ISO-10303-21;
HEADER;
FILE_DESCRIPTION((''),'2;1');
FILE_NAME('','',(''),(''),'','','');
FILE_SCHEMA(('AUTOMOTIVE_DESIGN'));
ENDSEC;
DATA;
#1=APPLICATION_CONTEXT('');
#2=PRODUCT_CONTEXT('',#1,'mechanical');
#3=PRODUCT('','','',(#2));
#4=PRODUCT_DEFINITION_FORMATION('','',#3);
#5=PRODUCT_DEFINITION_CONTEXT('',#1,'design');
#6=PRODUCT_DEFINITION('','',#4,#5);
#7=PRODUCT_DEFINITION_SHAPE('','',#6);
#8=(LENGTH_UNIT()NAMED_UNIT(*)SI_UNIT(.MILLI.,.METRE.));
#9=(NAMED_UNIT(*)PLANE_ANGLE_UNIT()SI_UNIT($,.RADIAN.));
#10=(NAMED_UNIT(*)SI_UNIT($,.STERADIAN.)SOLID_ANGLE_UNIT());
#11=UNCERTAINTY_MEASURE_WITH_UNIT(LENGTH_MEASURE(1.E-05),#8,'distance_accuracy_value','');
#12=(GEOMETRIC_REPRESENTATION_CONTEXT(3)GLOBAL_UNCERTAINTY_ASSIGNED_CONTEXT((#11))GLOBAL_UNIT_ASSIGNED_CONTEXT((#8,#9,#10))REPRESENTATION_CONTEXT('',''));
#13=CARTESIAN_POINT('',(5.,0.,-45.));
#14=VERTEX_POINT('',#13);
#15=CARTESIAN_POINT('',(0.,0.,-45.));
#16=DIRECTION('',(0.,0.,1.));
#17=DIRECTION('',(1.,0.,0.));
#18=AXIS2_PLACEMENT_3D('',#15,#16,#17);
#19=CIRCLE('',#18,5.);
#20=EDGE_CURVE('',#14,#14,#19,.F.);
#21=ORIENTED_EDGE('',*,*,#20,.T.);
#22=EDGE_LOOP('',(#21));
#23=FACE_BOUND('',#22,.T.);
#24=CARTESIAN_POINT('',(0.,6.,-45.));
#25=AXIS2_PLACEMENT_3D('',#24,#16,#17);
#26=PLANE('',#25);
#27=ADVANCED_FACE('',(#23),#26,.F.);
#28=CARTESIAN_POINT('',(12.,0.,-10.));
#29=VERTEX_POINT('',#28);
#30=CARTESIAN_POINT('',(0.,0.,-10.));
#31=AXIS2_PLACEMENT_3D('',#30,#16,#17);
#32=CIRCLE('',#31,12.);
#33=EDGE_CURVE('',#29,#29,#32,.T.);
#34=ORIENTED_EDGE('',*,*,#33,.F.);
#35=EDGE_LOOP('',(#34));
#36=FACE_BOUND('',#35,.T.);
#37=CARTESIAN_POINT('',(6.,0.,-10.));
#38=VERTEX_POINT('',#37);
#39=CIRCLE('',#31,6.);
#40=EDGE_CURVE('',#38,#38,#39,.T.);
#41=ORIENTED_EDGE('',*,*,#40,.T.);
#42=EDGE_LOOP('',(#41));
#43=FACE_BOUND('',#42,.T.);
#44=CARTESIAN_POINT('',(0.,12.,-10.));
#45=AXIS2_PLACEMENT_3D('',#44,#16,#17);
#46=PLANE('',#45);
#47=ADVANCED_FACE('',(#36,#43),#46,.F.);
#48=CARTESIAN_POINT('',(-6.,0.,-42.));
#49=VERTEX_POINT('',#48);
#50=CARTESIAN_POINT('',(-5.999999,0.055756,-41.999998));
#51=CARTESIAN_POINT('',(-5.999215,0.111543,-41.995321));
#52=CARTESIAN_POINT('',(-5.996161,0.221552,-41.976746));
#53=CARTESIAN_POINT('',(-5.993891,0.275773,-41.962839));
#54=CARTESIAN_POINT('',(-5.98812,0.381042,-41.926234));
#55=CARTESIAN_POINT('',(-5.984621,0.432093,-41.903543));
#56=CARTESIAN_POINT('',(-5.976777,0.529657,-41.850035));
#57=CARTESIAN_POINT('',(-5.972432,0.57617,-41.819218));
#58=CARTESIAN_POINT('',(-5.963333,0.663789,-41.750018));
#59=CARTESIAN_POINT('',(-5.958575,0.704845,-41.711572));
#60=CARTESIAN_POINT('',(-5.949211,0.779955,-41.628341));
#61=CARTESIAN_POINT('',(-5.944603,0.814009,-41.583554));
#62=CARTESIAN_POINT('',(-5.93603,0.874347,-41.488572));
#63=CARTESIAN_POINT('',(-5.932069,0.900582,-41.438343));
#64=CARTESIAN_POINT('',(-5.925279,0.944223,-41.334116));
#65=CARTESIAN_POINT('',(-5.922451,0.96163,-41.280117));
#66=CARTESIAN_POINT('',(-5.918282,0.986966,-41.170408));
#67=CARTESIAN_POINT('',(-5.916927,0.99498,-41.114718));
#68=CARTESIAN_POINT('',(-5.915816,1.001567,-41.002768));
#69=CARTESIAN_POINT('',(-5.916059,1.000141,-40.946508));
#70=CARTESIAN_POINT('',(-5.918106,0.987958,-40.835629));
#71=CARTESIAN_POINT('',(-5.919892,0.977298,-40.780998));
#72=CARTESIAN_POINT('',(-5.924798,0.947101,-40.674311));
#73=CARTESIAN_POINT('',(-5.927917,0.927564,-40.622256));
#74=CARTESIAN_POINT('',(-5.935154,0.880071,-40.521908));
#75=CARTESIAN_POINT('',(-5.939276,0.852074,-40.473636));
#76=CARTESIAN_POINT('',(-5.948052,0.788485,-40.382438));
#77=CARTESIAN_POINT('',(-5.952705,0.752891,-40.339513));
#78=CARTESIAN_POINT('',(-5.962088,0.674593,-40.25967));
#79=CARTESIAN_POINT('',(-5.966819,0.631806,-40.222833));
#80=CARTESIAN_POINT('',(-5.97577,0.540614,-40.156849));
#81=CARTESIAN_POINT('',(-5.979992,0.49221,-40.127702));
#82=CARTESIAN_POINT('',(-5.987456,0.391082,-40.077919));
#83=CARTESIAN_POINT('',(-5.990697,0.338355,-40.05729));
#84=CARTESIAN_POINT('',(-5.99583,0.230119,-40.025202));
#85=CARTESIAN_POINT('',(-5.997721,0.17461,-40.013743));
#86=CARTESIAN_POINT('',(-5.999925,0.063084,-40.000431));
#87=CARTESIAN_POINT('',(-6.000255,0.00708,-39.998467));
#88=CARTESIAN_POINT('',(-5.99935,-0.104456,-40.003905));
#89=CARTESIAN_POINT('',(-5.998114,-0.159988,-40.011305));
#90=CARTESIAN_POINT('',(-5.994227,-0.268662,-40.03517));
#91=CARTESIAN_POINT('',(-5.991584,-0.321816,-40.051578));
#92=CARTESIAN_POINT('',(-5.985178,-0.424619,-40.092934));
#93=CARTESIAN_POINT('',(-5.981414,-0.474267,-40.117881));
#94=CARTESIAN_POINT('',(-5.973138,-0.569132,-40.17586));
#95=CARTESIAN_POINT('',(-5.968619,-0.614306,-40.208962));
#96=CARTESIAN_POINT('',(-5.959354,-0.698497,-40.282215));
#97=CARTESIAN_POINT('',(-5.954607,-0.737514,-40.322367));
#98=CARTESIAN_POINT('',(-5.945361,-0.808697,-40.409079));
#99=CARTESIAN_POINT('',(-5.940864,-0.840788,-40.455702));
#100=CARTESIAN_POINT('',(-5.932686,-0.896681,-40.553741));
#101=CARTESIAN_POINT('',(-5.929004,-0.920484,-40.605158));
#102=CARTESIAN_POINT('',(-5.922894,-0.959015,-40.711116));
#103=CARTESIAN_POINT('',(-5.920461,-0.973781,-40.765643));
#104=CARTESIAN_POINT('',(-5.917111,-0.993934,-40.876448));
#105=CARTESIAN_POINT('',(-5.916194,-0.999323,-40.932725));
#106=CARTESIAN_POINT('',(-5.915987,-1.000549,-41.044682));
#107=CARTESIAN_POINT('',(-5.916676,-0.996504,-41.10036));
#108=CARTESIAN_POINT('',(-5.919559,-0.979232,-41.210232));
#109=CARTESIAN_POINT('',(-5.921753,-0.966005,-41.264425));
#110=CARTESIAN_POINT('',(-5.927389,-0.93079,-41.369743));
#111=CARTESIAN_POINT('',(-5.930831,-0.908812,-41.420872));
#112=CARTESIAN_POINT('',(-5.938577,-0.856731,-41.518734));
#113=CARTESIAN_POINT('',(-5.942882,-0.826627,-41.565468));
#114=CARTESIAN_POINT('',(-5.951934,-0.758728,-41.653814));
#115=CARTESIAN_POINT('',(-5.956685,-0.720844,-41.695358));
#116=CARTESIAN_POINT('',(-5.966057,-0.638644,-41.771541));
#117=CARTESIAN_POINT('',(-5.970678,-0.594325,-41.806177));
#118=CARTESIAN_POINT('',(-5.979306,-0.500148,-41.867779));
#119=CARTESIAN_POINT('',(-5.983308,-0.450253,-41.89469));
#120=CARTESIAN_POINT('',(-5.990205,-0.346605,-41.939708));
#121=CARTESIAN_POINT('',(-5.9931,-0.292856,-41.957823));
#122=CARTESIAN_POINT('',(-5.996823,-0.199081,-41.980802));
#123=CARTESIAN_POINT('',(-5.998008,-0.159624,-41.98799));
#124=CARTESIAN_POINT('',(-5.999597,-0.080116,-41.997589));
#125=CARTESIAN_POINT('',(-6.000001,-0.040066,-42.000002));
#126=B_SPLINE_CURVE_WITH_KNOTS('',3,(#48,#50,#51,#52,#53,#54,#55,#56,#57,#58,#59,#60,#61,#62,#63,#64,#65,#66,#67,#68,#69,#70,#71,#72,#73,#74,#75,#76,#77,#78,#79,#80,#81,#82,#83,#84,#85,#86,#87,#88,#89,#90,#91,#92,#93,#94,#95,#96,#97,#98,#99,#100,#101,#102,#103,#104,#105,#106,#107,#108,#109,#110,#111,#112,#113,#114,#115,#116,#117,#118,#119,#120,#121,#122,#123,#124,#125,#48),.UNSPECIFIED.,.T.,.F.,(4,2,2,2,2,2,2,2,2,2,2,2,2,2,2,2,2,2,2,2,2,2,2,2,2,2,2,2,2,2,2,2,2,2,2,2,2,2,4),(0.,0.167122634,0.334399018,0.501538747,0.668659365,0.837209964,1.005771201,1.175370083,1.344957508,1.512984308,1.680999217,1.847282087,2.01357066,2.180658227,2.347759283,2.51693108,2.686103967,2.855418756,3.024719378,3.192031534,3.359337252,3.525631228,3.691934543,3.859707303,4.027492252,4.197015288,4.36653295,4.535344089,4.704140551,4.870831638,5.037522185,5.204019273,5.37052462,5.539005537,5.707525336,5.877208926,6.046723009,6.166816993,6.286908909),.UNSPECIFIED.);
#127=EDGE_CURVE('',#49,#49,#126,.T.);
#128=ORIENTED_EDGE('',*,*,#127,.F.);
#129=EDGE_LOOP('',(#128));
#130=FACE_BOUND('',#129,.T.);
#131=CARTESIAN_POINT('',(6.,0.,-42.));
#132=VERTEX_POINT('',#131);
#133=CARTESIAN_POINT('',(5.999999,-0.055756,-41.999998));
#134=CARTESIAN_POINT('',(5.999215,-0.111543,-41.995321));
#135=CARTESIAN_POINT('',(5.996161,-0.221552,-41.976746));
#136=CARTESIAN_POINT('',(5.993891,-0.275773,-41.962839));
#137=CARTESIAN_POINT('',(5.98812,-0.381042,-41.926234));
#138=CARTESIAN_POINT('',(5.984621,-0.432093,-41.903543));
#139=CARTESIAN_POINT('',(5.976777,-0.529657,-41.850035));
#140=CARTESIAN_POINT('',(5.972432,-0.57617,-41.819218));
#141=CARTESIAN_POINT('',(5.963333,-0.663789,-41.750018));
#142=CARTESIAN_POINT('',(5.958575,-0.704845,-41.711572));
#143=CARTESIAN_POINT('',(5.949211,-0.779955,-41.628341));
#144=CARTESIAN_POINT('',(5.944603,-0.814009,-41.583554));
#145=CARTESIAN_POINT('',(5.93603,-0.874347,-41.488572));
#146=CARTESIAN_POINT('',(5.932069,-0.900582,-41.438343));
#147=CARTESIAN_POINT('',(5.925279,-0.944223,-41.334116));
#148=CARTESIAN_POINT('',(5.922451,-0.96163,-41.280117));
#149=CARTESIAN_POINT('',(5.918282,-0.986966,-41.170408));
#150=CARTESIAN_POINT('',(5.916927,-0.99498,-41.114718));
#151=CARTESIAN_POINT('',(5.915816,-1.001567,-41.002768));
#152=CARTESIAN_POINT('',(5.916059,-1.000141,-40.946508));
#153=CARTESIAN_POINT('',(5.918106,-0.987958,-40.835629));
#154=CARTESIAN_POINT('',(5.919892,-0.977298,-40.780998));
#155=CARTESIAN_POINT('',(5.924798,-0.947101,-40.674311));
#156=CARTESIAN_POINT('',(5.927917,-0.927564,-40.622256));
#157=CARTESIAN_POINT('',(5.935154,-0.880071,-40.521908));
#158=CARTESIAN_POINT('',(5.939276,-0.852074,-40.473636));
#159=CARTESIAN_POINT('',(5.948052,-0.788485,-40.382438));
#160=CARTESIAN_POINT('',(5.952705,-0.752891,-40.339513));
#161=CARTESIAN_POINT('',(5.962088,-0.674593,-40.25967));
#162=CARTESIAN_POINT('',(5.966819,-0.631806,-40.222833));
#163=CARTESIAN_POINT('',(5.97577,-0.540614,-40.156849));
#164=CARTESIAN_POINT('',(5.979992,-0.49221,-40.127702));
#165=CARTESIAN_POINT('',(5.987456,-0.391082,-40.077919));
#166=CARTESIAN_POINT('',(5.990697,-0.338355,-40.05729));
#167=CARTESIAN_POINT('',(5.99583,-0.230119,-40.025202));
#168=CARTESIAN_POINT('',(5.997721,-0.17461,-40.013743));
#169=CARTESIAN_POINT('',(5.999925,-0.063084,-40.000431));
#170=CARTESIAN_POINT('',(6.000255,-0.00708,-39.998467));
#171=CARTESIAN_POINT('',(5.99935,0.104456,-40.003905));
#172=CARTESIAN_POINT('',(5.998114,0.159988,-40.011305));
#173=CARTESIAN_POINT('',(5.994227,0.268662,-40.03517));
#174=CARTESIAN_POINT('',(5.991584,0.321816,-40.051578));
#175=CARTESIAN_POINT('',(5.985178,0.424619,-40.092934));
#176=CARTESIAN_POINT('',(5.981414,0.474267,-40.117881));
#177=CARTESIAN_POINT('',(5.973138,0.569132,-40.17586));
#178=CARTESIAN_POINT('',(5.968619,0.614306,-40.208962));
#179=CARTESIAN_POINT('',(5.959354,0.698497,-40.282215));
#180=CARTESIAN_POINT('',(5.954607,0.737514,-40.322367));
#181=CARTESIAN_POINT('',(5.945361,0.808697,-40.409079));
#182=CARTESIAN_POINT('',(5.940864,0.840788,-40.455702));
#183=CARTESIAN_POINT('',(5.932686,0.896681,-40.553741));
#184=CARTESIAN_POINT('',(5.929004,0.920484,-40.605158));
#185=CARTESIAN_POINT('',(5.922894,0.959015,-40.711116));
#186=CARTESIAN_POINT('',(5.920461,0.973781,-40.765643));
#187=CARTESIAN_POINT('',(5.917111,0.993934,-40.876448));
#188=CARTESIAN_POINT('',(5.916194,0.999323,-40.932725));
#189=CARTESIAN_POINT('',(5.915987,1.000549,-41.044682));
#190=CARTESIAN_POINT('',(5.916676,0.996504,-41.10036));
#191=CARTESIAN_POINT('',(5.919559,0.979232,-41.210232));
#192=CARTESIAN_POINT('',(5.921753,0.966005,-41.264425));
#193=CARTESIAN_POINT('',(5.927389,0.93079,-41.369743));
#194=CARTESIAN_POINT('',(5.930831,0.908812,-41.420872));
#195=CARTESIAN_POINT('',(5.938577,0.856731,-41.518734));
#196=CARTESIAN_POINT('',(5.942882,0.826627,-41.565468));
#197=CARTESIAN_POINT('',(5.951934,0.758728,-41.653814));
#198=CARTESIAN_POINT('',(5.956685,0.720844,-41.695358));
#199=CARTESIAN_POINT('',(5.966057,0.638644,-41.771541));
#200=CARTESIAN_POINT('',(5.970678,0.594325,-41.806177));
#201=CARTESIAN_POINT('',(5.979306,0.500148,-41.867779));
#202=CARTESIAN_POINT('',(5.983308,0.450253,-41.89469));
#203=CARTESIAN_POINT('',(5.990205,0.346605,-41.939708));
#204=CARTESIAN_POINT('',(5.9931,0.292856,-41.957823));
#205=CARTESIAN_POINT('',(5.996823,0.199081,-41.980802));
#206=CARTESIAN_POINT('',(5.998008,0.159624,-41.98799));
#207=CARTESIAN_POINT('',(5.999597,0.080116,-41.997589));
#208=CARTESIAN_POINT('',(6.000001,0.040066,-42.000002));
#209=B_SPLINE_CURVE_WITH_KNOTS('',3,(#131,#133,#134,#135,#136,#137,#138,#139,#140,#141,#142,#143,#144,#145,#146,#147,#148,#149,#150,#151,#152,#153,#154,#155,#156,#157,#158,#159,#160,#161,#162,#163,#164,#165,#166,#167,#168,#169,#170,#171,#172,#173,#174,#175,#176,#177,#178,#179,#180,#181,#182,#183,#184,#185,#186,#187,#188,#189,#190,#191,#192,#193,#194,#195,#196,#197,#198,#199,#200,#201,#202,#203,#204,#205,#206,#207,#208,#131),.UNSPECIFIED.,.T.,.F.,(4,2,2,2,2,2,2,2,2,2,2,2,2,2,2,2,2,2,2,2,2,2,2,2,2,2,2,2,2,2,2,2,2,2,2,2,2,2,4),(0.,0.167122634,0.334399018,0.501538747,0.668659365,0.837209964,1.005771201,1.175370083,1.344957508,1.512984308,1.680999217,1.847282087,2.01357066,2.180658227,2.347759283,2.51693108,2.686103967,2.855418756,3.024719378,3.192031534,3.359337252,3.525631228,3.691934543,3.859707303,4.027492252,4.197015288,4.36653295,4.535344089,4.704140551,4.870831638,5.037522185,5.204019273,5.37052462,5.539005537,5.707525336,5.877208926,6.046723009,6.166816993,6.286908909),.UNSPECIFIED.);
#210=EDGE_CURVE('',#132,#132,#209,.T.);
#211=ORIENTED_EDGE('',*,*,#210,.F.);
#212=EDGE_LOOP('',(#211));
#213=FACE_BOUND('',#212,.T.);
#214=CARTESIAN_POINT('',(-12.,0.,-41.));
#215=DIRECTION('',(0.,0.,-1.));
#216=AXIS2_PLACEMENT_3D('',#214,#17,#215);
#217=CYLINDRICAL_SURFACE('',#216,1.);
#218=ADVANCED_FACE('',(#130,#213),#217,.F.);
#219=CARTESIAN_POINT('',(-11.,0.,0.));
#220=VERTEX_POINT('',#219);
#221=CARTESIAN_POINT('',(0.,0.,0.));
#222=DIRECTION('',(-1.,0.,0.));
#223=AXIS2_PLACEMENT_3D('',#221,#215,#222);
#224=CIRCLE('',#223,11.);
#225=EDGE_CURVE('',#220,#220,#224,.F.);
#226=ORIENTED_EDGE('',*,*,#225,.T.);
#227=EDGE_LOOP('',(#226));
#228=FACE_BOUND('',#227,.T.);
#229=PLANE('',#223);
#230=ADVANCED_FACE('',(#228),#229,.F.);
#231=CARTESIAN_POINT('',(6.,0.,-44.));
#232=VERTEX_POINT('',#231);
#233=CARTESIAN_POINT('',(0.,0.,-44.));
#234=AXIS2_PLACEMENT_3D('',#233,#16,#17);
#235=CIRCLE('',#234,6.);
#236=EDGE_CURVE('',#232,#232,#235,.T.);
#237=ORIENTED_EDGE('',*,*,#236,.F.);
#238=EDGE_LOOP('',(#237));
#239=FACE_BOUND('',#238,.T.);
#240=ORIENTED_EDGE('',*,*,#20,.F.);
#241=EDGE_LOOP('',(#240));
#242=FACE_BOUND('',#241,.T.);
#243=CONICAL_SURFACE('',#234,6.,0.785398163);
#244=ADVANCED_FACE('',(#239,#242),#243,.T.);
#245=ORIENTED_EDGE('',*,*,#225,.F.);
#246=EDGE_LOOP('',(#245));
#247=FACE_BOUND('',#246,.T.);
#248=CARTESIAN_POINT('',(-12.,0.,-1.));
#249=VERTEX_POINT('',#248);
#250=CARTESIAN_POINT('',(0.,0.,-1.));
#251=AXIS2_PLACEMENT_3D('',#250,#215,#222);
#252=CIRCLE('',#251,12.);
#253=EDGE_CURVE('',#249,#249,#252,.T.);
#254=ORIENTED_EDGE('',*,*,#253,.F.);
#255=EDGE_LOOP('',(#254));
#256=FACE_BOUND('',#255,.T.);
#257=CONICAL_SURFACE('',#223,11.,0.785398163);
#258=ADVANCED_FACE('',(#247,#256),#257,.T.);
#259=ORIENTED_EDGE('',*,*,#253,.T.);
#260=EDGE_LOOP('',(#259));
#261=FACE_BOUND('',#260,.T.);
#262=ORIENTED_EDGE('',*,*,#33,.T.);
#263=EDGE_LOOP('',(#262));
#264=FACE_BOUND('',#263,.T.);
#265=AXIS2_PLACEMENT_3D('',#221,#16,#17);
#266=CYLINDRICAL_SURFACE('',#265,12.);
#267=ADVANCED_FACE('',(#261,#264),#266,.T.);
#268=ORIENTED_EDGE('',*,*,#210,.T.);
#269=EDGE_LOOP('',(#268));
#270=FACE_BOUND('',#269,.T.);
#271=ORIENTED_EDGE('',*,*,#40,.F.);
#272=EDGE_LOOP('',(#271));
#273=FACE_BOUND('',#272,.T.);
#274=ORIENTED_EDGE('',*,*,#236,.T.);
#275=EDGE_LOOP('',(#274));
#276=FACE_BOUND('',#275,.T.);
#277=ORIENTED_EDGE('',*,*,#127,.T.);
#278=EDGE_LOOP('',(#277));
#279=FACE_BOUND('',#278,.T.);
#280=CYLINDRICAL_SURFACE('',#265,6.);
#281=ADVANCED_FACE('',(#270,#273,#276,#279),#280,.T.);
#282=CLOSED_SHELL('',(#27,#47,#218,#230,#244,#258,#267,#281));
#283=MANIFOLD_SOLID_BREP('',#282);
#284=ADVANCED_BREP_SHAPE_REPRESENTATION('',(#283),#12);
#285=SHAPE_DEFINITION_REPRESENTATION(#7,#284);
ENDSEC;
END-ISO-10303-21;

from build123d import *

# Parameters (mm, degrees)
CHAMFER_1_SIZE           = 1
CUT_EXTRUDE_1_DEPTH      = 49.093658626
CUT_EXTRUDE_1_DEPTH_BACK = 49.093658626
SKETCH_2_R               = 1


with BuildPart() as part:
    # 草圖1 → 旋轉1 (revolve)
    with BuildSketch(Plane(origin=(0, 0, 0), x_dir=(0, 0, -1), z_dir=(1, 0, 0)), mode=Mode.PRIVATE) as revolve_1_sk:
        Polygon((0, 0), (0, 12), (10, 12), (10, 6), (45, 6), (45, 0), align=None)
    revolve(revolve_1_sk.sketch.rotate(Axis((0, 0, 0), (0, 0, -1)), 90), axis=Axis((0, 0, 0), (0, 0, -1)))

    # 導角1
    chamfer_1_edges = [part.edges().sort_by_distance(p)[0] for p in [
        (-6, 0, -45),
        (-12, 0, 0),
    ]]
    chamfer(chamfer_1_edges, length=CHAMFER_1_SIZE)

    # 草圖2 → 伸長1 (cut, two sides: drawn at the far end of the back side and taken through both)
    with BuildSketch(Plane(origin=(0, 0, 0), x_dir=(0, 0, -1), z_dir=(1, 0, 0)).offset(-CUT_EXTRUDE_1_DEPTH_BACK)):
        with Locations((41, 0)):
            Circle(SKETCH_2_R)
    extrude(amount=CUT_EXTRUDE_1_DEPTH + CUT_EXTRUDE_1_DEPTH_BACK, mode=Mode.SUBTRACT)


solid = part.part
